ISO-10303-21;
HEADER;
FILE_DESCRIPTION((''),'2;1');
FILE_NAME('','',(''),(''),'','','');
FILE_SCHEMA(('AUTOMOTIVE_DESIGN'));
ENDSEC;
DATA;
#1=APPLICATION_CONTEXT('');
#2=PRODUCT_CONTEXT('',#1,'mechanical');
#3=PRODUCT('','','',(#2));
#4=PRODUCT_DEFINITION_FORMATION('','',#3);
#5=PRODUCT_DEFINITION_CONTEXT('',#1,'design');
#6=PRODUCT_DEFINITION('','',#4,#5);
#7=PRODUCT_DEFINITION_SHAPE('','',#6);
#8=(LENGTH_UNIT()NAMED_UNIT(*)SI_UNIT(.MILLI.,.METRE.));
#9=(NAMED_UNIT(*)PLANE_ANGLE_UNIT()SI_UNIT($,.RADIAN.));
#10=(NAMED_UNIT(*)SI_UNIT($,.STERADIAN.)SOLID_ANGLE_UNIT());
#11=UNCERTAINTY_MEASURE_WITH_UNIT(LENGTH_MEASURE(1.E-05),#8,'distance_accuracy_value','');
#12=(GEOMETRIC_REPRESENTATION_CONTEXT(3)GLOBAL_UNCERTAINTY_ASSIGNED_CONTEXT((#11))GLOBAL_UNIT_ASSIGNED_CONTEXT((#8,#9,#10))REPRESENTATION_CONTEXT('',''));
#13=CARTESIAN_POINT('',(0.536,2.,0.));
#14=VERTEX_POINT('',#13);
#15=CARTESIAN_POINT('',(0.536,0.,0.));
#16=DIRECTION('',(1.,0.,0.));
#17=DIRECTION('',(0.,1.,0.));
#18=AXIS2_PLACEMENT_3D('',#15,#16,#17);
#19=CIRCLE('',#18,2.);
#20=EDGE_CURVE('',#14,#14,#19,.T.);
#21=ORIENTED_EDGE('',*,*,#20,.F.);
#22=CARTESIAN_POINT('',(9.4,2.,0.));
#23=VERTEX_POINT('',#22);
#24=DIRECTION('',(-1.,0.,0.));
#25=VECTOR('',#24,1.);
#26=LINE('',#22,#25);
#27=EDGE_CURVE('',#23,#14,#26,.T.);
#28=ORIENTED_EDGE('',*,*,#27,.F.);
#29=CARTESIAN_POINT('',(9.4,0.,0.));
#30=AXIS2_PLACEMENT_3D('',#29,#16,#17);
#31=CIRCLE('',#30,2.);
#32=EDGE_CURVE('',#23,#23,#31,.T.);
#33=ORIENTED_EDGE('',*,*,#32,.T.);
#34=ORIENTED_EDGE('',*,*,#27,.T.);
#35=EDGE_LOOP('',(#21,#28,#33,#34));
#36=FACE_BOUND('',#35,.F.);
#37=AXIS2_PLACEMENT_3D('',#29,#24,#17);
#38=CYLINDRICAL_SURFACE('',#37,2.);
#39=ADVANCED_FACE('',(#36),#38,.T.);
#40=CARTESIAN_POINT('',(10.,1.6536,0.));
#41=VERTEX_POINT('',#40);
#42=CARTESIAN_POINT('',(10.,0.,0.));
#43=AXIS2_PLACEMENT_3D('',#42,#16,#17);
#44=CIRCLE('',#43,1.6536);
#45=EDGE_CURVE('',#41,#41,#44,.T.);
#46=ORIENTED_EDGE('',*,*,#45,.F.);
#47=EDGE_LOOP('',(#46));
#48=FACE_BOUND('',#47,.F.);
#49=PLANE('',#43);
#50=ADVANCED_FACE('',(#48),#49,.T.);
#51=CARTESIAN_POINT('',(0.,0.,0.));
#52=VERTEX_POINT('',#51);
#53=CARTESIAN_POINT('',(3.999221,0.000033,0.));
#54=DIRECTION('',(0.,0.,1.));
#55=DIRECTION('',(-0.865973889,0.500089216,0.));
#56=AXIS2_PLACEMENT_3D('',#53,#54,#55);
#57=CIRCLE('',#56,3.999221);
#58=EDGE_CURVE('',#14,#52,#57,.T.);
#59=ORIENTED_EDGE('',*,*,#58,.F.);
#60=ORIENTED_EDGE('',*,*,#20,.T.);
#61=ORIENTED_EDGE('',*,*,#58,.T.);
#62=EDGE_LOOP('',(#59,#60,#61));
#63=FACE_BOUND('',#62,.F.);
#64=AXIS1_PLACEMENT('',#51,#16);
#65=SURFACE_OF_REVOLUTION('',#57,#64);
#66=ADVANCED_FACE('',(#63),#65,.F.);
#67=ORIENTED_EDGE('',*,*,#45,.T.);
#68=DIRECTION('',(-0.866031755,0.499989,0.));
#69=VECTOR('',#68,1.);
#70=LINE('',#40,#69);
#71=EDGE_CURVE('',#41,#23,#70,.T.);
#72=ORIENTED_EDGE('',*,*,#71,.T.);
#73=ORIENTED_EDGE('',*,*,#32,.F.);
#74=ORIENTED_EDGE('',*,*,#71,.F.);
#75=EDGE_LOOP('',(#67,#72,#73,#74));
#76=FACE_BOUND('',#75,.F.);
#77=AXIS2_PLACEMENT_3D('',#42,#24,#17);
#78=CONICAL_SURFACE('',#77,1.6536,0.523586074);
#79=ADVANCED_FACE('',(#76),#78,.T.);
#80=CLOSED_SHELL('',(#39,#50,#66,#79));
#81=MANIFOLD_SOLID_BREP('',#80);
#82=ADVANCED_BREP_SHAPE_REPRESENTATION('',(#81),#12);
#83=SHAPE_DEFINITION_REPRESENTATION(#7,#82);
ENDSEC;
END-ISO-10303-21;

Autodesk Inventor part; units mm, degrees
ref_plane "YZ Plane" through (0, 0, 0) normal (1, 0, 0) x (0, 1, 0)
ref_plane "XZ Plane" through (0, 0, 0) normal (0, 1, 0) x (-1, 0, 0)
ref_plane "XY Plane" through (0, 0, 0) normal (0, 0, 1) x (1, 0, 0)
sketch "Boceto1" plane through (0, 0, 0) normal (0, 0, 1) x (1, 0, 0)
  line L0 (0, 0) -> (10, 0)
  line L1 (10, 0) -> (10, 1.6536)
  line L2 (10, 1.6536) -> (9.4, 2)
  line L3 (9.4, 2) -> (0.536, 2)
  arc A0 (0.536, 2) -> (0, 0) centre (3.9993, 0) ccw
  dimension "d0" = 10
  dimension "d1" = 4
  dimension "d2" = 30
  dimension "d3" = 0.6
  dimension "d4" = 0.536
revolve "Cuerpo" add sketch "Boceto1" angle 360 about axis through (0, 0, 0) along (1, 0, 0)
equation "\"d0\" = NLG"
equation "\"d1\" = NND"
equation "\"d2\" = FAWI"
equation "\"d3\" = PHH"
equation "\"d4\" = KAH"
equation "\"NND\" = 4"
equation "\"PHH\" = 0.6"
equation "\"NLG\" = 10"
equation "\"KAH\" = 0.536"
equation "\"FAWI\" = 30deg"
equation "\"d11\" = -KAH"
properties part number "BS 1804-2 - 4 x 10" material "Acero, suave"
